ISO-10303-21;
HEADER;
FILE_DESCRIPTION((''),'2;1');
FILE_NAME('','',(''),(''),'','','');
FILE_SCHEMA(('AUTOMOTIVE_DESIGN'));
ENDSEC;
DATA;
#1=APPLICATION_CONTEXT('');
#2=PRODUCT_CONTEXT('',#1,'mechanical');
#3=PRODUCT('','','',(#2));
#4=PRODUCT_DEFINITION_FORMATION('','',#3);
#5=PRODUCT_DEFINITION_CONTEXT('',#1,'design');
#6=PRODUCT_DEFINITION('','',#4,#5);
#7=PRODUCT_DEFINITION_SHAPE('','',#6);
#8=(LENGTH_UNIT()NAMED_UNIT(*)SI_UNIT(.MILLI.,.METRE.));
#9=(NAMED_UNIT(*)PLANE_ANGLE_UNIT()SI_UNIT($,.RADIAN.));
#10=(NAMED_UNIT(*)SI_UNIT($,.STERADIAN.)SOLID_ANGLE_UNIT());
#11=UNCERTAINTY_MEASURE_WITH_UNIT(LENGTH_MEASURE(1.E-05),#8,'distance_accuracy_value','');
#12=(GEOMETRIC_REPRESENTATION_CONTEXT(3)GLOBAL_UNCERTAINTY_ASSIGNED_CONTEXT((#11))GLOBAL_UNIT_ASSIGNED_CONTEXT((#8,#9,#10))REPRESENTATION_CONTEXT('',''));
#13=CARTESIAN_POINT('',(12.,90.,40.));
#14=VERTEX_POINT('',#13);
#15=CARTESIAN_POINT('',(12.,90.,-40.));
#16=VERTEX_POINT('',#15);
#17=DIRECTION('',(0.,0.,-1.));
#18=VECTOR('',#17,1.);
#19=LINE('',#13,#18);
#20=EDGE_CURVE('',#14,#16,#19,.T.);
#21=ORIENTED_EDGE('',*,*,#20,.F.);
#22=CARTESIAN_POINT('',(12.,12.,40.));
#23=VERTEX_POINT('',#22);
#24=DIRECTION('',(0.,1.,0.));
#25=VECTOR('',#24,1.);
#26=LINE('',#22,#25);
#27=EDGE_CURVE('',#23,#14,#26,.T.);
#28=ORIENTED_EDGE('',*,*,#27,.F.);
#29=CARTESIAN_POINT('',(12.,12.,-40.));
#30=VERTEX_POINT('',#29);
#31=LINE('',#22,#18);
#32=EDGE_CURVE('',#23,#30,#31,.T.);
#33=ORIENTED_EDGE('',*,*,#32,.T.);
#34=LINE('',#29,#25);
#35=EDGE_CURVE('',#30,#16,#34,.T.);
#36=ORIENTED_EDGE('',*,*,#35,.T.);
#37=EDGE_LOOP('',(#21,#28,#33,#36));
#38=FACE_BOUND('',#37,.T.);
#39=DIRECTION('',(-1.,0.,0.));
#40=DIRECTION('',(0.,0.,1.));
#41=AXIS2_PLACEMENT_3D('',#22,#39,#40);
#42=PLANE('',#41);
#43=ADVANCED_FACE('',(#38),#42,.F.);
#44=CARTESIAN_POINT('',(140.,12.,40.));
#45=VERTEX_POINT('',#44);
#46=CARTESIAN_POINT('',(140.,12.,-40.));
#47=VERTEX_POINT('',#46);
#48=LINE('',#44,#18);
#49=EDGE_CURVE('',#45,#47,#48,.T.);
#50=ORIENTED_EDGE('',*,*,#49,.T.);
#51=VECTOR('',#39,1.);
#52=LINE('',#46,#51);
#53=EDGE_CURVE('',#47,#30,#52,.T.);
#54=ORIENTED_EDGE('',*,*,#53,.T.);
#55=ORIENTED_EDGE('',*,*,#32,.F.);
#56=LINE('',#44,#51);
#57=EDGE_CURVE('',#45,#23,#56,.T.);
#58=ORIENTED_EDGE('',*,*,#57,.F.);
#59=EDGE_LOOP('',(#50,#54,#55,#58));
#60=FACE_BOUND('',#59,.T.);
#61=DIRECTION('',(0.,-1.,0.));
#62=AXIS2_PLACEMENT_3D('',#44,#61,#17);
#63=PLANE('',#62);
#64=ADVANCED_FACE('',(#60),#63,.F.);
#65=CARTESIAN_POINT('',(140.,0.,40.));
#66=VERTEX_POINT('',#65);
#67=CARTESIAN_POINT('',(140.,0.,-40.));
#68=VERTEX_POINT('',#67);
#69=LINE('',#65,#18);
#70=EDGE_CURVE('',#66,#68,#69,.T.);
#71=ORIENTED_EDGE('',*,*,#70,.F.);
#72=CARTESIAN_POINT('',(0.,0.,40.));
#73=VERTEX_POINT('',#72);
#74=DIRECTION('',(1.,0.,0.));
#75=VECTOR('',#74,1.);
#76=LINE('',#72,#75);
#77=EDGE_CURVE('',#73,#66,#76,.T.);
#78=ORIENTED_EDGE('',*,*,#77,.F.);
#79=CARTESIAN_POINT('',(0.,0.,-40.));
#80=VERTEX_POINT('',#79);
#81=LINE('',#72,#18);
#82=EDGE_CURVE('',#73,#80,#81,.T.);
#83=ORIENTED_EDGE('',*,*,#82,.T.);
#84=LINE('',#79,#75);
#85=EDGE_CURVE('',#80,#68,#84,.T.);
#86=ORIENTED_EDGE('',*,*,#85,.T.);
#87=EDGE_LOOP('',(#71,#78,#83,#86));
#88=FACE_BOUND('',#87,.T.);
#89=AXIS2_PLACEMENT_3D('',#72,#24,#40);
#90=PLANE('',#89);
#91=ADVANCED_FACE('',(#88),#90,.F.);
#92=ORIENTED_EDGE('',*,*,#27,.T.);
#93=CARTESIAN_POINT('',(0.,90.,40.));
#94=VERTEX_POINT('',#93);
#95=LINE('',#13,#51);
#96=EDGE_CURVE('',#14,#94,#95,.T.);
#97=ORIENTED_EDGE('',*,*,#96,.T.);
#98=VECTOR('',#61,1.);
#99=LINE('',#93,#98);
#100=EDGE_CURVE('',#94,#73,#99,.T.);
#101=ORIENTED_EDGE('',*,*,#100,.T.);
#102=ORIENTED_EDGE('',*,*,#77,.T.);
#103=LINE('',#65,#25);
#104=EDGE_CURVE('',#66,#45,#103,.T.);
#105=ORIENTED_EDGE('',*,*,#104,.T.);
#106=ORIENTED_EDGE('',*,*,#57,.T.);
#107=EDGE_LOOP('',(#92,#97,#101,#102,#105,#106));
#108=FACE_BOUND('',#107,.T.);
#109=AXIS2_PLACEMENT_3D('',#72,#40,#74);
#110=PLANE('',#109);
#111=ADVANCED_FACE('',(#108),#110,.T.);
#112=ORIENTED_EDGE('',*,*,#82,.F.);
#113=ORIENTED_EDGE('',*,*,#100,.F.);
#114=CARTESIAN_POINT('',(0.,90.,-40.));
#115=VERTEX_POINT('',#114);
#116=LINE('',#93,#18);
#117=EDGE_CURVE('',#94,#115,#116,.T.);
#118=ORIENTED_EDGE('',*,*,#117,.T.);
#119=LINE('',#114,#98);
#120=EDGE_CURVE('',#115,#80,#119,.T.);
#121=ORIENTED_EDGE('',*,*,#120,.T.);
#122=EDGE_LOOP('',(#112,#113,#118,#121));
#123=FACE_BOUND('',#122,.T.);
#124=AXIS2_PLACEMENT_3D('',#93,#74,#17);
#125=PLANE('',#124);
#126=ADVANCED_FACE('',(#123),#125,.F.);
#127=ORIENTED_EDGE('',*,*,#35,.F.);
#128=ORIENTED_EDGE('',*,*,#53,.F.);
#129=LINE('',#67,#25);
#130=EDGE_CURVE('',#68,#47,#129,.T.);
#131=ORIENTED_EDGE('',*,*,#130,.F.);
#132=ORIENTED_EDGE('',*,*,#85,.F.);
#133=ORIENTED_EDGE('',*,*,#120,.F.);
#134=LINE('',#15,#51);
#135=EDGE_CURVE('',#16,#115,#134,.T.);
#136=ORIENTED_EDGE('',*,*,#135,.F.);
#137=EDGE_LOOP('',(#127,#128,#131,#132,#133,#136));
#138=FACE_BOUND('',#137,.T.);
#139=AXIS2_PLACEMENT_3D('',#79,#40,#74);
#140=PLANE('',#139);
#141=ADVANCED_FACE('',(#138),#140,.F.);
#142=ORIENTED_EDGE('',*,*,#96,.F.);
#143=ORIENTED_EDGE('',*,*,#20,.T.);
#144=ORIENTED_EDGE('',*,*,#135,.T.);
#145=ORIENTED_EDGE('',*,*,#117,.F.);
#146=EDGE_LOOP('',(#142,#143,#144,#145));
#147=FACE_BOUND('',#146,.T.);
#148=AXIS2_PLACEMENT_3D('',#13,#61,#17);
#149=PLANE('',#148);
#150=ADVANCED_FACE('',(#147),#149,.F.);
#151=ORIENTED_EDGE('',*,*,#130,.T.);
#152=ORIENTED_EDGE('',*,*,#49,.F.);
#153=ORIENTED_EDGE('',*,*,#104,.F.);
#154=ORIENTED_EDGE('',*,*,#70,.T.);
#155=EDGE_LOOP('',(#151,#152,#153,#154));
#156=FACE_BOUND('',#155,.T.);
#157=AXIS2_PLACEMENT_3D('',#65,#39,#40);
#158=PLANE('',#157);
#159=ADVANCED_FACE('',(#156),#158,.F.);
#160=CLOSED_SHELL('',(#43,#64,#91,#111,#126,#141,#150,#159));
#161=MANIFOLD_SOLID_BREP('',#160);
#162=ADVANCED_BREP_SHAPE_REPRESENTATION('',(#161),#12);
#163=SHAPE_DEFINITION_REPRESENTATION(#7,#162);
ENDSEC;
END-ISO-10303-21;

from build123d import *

# Parameters (mm, degrees)
EXTRUDE_1_DEPTH = 40


with BuildPart() as part:
    # 草图8 → 凸台-拉伸1 (new, symmetric)
    with BuildSketch(Plane.XY):
        Polygon((0, 0), (140, 0), (140, 12), (12, 12), (12, 90), (0, 90), align=None)
    extrude(amount=EXTRUDE_1_DEPTH, both=True)


solid = part.part
